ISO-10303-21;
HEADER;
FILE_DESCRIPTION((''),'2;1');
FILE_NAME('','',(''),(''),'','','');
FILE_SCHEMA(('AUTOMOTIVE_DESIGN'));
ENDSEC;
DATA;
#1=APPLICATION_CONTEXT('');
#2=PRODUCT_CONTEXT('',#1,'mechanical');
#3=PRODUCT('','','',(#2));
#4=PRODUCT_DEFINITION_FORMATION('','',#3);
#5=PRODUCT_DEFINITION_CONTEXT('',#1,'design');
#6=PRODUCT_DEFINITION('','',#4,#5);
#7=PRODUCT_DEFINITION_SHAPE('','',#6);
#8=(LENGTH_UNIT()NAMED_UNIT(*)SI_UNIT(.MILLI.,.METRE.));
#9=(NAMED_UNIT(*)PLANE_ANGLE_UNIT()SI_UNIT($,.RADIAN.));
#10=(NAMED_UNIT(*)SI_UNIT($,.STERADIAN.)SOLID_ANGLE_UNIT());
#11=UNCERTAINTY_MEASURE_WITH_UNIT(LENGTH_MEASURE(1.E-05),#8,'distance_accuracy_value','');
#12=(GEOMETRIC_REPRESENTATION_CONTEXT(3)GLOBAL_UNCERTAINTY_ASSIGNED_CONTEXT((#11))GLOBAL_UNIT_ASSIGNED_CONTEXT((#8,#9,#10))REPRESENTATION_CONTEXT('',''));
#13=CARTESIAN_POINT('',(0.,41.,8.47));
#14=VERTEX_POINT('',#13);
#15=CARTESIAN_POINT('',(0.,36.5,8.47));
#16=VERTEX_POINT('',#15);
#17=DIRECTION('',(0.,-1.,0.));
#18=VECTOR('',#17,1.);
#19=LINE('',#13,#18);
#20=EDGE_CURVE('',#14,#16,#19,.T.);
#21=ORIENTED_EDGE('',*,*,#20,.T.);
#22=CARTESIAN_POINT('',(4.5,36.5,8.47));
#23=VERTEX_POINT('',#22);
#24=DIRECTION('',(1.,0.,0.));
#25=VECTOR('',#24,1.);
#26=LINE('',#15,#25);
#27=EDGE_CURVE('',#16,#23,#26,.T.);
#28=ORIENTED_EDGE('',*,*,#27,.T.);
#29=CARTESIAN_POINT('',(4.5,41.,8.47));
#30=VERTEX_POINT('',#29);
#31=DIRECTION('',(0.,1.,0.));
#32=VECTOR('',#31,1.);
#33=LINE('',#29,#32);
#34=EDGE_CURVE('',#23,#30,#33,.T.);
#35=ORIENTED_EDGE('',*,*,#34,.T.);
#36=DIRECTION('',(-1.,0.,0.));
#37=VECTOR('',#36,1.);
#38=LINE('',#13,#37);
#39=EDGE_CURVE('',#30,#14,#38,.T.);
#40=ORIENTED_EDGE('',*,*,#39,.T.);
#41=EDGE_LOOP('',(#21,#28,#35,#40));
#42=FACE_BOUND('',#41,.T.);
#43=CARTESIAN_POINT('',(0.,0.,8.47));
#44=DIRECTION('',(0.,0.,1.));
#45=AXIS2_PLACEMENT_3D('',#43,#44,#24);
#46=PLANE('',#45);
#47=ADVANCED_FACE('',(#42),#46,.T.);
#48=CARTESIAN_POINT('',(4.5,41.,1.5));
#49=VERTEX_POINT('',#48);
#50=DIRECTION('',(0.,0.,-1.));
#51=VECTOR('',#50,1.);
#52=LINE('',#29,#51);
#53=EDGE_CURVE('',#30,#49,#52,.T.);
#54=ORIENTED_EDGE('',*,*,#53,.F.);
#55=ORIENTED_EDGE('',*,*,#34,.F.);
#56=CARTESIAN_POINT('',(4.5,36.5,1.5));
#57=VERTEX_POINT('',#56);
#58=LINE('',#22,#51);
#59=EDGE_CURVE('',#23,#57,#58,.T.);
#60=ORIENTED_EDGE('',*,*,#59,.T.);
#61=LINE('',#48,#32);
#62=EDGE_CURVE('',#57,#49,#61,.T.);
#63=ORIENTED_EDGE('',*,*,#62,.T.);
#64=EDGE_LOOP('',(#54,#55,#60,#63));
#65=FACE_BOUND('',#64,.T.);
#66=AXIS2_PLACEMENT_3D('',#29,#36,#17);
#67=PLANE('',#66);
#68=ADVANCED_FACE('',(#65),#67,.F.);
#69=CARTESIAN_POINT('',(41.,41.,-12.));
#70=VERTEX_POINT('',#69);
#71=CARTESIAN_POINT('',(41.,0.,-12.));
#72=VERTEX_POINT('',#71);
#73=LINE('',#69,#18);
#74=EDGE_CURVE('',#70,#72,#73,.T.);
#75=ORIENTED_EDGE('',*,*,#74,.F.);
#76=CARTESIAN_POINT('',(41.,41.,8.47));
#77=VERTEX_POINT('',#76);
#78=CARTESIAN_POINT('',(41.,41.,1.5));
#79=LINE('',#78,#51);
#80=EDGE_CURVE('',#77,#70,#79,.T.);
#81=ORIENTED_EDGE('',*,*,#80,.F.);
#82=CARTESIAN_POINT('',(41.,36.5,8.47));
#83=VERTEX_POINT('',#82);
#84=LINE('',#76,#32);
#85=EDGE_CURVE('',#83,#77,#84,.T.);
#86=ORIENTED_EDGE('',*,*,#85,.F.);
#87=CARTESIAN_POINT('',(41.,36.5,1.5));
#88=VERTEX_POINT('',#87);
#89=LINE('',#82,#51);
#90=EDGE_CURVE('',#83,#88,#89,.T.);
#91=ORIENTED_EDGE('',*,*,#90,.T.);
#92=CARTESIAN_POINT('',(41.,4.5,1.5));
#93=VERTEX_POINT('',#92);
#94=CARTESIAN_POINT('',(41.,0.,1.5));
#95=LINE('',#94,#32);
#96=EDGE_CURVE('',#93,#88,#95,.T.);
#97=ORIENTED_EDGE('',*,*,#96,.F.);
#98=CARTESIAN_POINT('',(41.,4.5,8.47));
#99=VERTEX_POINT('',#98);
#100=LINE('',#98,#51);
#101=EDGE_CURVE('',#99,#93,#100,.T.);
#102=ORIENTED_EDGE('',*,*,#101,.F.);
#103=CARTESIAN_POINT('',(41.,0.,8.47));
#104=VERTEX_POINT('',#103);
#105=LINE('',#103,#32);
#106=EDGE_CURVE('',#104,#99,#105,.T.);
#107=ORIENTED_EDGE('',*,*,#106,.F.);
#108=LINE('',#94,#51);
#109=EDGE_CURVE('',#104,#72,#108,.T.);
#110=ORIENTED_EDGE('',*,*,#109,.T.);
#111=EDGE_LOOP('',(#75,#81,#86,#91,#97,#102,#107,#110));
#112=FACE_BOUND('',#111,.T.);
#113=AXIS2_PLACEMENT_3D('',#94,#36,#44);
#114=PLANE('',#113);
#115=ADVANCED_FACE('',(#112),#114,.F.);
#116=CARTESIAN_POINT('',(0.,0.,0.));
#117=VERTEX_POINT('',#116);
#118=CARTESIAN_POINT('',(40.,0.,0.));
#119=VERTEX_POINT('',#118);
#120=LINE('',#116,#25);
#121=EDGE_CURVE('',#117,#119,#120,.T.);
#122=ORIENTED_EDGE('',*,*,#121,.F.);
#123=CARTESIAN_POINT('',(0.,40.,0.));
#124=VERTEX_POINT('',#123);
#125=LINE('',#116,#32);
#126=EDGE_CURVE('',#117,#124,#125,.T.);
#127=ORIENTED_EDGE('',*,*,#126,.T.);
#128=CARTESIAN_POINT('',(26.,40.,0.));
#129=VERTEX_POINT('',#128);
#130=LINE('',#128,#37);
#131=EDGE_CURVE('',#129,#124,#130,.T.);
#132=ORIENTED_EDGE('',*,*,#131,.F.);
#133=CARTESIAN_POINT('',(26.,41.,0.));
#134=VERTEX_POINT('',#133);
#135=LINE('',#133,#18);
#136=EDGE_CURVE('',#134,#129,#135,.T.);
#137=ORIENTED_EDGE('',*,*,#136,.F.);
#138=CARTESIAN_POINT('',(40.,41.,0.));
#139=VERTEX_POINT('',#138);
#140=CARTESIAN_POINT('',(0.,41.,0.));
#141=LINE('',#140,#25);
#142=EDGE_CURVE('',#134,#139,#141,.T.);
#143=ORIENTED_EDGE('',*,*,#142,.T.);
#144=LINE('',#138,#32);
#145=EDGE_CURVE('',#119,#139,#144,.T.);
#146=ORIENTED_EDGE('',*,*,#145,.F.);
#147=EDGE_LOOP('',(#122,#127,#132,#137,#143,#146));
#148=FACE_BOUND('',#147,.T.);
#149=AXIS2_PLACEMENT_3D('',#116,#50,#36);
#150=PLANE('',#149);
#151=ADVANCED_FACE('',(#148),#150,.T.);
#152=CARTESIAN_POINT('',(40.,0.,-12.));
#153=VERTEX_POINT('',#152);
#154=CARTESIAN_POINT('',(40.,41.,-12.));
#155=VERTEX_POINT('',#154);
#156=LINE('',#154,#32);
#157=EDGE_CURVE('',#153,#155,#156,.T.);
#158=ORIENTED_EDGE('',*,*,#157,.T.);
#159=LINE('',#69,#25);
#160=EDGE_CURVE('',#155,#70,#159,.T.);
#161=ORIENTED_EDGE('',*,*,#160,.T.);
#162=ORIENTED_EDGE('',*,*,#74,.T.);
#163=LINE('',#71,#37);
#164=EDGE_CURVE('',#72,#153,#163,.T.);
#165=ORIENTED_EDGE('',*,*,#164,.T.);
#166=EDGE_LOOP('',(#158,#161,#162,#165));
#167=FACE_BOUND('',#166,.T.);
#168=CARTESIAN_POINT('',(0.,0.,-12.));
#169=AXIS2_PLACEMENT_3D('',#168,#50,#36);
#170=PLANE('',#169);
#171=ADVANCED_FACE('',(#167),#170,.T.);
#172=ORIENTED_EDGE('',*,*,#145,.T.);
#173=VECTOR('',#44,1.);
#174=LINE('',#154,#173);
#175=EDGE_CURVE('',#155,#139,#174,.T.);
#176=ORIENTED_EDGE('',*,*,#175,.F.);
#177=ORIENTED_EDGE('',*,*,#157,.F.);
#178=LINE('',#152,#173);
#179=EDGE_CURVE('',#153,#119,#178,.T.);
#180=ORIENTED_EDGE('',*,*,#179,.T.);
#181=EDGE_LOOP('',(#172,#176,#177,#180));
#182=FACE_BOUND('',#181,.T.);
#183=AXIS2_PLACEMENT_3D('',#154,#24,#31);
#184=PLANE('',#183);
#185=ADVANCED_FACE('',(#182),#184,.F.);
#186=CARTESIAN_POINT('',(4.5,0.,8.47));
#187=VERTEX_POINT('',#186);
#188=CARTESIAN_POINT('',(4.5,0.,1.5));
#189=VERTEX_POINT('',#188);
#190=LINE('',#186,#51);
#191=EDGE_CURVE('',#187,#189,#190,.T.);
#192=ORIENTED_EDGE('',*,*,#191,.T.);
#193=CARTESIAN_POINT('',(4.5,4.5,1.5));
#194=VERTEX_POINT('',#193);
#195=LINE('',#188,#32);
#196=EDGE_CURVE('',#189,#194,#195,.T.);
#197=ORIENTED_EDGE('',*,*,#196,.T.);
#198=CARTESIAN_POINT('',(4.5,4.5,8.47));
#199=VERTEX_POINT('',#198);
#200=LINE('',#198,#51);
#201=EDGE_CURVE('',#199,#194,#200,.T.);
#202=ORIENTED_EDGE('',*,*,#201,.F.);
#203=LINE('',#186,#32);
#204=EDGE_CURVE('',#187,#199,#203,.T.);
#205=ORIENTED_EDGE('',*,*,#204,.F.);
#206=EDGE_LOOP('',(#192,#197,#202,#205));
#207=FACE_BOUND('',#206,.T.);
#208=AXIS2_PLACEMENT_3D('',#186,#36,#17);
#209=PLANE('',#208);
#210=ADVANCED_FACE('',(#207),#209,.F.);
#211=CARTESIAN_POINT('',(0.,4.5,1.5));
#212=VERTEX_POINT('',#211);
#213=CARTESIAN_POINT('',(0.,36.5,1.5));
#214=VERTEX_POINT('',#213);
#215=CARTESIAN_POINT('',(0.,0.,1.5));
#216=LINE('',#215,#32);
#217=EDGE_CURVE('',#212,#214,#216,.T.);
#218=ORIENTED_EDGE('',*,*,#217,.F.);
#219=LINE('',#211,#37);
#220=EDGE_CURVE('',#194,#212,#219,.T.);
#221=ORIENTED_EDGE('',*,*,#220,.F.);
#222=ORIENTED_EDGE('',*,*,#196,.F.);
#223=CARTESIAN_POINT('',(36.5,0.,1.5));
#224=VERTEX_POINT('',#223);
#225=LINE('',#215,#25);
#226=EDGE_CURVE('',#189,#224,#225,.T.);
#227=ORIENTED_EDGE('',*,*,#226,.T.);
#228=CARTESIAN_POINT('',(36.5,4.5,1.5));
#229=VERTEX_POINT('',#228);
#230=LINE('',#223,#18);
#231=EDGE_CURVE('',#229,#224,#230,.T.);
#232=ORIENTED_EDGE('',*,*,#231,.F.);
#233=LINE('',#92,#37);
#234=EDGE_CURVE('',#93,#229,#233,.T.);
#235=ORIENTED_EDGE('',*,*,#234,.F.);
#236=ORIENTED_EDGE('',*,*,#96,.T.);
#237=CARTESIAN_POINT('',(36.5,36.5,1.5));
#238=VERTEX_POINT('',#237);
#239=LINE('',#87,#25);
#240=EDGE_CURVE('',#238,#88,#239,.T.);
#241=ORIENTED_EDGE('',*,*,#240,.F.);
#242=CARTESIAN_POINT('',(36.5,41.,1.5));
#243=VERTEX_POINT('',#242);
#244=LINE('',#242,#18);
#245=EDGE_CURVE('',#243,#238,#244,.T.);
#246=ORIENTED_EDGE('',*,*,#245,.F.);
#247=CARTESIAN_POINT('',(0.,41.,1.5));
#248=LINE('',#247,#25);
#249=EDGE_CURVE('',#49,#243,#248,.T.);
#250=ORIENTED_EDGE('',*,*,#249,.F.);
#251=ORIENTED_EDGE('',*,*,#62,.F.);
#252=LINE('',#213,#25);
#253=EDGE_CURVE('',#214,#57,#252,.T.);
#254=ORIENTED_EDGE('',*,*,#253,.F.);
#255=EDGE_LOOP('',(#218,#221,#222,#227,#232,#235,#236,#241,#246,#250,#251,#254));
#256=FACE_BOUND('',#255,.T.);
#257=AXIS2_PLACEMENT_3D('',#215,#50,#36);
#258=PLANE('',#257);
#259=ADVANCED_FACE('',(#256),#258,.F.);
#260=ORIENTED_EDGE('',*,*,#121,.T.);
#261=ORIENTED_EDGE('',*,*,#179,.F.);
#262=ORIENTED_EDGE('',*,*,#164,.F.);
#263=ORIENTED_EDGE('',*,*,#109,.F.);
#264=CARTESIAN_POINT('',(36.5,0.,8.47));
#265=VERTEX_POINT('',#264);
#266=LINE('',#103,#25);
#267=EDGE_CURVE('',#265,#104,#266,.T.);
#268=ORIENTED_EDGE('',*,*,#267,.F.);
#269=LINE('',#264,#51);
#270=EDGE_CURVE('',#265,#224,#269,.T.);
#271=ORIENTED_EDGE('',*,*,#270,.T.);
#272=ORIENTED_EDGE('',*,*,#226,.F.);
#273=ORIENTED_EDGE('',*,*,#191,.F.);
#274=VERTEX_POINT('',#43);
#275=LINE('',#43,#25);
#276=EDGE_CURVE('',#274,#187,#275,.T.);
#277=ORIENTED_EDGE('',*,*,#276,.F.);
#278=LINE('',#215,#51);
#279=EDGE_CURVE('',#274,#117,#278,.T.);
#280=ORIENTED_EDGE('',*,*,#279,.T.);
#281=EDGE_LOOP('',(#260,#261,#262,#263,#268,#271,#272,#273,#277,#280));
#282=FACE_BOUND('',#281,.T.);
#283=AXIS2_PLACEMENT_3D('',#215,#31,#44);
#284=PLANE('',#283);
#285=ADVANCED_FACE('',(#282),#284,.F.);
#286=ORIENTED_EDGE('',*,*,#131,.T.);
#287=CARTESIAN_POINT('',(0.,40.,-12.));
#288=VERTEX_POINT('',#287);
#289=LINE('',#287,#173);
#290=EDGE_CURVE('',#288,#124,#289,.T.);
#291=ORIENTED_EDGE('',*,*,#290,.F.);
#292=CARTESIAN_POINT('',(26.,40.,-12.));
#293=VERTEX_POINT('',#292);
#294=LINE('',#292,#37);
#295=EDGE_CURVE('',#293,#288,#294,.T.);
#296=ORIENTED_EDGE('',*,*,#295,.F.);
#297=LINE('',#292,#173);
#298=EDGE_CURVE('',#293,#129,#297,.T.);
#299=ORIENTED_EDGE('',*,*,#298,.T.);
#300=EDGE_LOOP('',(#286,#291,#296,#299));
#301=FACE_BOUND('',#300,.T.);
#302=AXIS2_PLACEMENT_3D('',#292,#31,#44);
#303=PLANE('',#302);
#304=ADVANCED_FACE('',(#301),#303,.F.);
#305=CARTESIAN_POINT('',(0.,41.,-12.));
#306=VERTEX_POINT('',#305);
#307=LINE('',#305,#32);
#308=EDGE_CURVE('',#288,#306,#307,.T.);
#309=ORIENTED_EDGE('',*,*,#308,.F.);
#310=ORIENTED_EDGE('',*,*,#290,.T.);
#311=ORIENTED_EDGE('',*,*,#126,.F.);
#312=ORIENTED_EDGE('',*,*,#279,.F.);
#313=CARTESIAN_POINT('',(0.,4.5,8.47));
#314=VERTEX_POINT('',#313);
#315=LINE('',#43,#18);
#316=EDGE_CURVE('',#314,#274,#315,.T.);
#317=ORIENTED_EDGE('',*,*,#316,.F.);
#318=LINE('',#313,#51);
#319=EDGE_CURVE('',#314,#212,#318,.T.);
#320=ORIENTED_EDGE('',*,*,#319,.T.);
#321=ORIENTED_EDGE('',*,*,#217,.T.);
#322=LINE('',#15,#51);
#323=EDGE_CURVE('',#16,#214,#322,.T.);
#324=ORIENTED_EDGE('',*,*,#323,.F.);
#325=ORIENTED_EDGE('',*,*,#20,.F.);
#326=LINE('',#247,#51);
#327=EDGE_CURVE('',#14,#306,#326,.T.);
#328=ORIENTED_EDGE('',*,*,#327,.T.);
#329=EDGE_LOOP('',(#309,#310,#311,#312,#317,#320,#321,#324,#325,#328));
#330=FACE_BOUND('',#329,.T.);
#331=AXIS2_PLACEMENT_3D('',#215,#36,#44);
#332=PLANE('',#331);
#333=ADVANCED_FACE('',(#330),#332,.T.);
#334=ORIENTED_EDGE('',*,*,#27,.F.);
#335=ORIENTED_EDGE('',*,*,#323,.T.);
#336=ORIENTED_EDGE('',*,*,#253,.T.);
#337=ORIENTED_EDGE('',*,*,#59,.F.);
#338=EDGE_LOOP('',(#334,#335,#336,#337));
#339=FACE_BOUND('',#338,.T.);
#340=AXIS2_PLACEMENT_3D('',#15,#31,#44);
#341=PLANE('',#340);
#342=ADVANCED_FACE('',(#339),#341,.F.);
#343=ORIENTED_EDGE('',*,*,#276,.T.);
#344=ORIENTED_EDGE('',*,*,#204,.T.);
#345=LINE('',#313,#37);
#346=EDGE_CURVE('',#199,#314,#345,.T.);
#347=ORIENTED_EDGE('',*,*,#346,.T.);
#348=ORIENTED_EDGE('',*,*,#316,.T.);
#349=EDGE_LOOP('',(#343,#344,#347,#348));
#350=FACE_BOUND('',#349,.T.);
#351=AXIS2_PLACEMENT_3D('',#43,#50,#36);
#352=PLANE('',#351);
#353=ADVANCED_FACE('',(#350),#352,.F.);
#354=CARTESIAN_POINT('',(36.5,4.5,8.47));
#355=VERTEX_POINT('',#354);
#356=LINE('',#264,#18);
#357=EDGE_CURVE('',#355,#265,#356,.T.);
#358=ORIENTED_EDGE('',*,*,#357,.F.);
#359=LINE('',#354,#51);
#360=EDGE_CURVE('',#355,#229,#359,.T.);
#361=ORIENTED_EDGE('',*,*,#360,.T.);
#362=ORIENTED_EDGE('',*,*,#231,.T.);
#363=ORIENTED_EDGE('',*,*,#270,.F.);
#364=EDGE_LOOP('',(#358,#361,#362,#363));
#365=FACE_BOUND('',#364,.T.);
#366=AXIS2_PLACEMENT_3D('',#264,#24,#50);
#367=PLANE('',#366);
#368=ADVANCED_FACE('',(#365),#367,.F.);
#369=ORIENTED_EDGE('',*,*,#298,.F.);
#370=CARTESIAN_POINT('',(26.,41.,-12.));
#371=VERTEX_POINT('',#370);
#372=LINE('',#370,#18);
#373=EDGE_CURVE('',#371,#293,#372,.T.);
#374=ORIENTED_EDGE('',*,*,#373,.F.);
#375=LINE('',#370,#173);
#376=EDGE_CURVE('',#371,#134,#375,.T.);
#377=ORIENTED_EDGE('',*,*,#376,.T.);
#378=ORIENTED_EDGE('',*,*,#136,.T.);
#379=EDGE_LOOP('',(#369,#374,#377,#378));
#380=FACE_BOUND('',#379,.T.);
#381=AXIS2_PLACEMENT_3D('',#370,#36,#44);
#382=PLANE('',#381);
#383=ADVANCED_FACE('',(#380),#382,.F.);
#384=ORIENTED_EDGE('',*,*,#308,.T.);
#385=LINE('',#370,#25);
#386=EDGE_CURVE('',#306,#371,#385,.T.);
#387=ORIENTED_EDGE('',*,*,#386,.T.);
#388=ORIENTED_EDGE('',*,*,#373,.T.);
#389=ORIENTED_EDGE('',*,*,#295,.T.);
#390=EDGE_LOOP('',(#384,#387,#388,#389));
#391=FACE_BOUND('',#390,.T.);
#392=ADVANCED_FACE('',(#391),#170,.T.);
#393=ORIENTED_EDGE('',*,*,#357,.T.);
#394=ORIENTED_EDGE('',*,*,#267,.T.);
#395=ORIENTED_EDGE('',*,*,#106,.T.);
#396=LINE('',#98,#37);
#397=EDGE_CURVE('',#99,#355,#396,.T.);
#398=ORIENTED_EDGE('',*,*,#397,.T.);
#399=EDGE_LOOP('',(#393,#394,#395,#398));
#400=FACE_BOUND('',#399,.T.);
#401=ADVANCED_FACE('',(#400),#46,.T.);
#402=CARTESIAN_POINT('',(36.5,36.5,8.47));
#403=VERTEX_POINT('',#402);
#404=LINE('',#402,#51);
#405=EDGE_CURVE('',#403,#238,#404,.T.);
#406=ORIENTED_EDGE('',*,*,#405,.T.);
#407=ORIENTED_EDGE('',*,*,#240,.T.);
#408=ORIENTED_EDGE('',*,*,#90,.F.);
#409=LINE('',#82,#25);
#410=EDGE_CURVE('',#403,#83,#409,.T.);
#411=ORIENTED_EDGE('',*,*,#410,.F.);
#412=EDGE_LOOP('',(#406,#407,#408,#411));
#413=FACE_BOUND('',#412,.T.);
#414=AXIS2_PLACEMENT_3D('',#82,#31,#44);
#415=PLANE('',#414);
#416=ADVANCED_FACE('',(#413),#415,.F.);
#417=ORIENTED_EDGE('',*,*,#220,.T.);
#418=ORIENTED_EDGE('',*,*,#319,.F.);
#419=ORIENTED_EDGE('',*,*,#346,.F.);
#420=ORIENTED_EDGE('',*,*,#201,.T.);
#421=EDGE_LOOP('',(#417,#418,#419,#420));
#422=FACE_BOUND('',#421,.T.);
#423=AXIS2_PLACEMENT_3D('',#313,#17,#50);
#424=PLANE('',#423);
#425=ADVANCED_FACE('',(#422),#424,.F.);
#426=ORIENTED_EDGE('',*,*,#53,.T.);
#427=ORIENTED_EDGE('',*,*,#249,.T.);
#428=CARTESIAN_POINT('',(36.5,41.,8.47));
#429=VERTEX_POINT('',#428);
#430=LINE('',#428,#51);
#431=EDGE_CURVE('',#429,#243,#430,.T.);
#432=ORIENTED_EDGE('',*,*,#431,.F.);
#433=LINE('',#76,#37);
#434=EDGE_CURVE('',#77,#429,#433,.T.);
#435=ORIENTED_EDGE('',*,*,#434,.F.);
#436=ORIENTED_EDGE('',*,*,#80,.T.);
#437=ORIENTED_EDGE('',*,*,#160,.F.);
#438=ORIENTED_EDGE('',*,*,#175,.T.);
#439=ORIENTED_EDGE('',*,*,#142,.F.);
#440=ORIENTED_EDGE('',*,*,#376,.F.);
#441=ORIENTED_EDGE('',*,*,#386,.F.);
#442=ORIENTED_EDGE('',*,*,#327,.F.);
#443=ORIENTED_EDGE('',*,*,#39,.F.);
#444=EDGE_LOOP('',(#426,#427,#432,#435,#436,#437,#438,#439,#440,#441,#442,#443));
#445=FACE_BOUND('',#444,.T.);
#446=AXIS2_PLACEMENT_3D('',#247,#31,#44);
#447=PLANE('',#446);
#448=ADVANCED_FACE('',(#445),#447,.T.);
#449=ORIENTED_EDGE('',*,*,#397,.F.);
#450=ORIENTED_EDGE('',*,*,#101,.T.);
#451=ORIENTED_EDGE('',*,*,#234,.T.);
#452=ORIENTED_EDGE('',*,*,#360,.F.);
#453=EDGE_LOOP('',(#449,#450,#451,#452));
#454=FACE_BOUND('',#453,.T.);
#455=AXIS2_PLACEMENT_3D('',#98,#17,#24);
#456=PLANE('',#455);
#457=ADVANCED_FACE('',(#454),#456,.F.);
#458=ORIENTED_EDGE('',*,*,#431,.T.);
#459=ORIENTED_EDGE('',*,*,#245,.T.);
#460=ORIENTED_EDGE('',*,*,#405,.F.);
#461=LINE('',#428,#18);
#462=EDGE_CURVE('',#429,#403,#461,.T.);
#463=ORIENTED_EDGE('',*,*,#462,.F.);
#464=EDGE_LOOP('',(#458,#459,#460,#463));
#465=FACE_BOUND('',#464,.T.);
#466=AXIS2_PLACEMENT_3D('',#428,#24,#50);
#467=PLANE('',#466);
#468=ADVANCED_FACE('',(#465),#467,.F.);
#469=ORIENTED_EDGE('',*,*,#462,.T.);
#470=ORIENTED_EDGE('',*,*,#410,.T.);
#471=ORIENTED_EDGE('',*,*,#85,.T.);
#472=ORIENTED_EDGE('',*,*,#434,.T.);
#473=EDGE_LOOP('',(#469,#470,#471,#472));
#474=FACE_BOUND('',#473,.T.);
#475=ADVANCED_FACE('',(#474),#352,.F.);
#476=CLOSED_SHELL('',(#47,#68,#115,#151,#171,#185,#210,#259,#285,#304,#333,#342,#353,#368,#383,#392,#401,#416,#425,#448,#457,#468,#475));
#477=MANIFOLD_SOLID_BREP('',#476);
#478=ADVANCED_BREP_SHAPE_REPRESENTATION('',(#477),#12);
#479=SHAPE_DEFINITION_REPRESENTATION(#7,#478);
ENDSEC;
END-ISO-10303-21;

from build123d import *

# Parameters (mm, degrees)
SCHIZZO1_W                   = 41
SCHIZZO1_H                   = 41
ESTRUSIONE_ESTRUSIONE1_DEPTH = 1.5
SCHIZZO5_W                   = 4.5
SCHIZZO5_H                   = 4.5
ESTRUSIONE_ESTRUSIONE2_DEPTH = 6.97
SCHIZZO6_W                   = 4.5
SCHIZZO6_H                   = 4.5
ESTRUSIONE_ESTRUSIONE3_DEPTH = 6.97
SCHIZZO7_W                   = 4.5
SCHIZZO7_H                   = 4.5
ESTRUSIONE_ESTRUSIONE4_DEPTH = 6.97
SCHIZZO8_W                   = 4.5
SCHIZZO8_H                   = 4.5
ESTRUSIONE_ESTRUSIONE5_DEPTH = 6.97
SCHIZZO9_W                   = 1
SCHIZZO9_H                   = 41
ESTRUSIONE_ESTRUSIONE6_DEPTH = 12
SCHIZZO10_W                  = 26
SCHIZZO10_H                  = 1
ESTRUSIONE_ESTRUSIONE7_DEPTH = 12
SCHIZZO11_R                  = 0.4
TAGLIO_ESTRUSIONE1_DEPTH     = 10
SCHIZZO12_R                  = 0.4
TAGLIO_ESTRUSIONE2_DEPTH     = 10


with BuildPart() as part:
    # Schizzo1 → Estrusione-Estrusione1 (new body)
    with BuildSketch(Plane.XY):
        with Locations((20.5, 20.5)):
            Rectangle(SCHIZZO1_W, SCHIZZO1_H)
    extrude(amount=ESTRUSIONE_ESTRUSIONE1_DEPTH)

    # Schizzo5 → Estrusione-Estrusione2 (add)
    with BuildSketch(Plane.XY.offset(1.5)):
        with Locations((2.25, 2.25)):
            Rectangle(SCHIZZO5_W, SCHIZZO5_H)
    extrude(amount=ESTRUSIONE_ESTRUSIONE2_DEPTH)

    # Schizzo6 → Estrusione-Estrusione3 (add)
    with BuildSketch(Plane.XY.offset(1.5)):
        with Locations((38.75, 2.25)):
            Rectangle(SCHIZZO6_W, SCHIZZO6_H)
    extrude(amount=ESTRUSIONE_ESTRUSIONE3_DEPTH)

    # Schizzo7 → Estrusione-Estrusione4 (add)
    with BuildSketch(Plane.XY.offset(1.5)):
        with Locations((2.25, 38.75)):
            Rectangle(SCHIZZO7_W, SCHIZZO7_H)
    extrude(amount=ESTRUSIONE_ESTRUSIONE4_DEPTH)

    # Schizzo8 → Estrusione-Estrusione5 (add)
    with BuildSketch(Plane.XY.offset(1.5)):
        with Locations((38.75, 38.75)):
            Rectangle(SCHIZZO8_W, SCHIZZO8_H)
    extrude(amount=ESTRUSIONE_ESTRUSIONE5_DEPTH)

    # Schizzo9 → Estrusione-Estrusione6 (add)
    with BuildSketch(Plane(origin=(0, 0, 0), x_dir=(-1, 0, 0), z_dir=(0, 0, -1))):
        with Locations((-40.5, 20.5)):
            Rectangle(SCHIZZO9_W, SCHIZZO9_H)
    extrude(amount=ESTRUSIONE_ESTRUSIONE6_DEPTH)

    # Schizzo10 → Estrusione-Estrusione7 (add)
    with BuildSketch(Plane(origin=(0, 0, 0), x_dir=(-1, 0, 0), z_dir=(0, 0, -1))):
        with Locations((-13, 40.5)):
            Rectangle(SCHIZZO10_W, SCHIZZO10_H)
    extrude(amount=ESTRUSIONE_ESTRUSIONE7_DEPTH)

    # Schizzo11 → Taglio-Estrusione1 (cut)
    with BuildSketch(Plane.XY.offset(8.47)):
        with Locations((32.781075858, 214.49933813)):
            Circle(SCHIZZO11_R)
    extrude(amount=-TAGLIO_ESTRUSIONE1_DEPTH, mode=Mode.SUBTRACT)

    # Schizzo12 → Taglio-Estrusione2 (cut)
    with BuildSketch(Plane.XY.offset(8.47)):
        with Locations((-3.518924142, 178.29933813)):
            Circle(SCHIZZO12_R)
    extrude(amount=-TAGLIO_ESTRUSIONE2_DEPTH, mode=Mode.SUBTRACT)


solid = part.part
